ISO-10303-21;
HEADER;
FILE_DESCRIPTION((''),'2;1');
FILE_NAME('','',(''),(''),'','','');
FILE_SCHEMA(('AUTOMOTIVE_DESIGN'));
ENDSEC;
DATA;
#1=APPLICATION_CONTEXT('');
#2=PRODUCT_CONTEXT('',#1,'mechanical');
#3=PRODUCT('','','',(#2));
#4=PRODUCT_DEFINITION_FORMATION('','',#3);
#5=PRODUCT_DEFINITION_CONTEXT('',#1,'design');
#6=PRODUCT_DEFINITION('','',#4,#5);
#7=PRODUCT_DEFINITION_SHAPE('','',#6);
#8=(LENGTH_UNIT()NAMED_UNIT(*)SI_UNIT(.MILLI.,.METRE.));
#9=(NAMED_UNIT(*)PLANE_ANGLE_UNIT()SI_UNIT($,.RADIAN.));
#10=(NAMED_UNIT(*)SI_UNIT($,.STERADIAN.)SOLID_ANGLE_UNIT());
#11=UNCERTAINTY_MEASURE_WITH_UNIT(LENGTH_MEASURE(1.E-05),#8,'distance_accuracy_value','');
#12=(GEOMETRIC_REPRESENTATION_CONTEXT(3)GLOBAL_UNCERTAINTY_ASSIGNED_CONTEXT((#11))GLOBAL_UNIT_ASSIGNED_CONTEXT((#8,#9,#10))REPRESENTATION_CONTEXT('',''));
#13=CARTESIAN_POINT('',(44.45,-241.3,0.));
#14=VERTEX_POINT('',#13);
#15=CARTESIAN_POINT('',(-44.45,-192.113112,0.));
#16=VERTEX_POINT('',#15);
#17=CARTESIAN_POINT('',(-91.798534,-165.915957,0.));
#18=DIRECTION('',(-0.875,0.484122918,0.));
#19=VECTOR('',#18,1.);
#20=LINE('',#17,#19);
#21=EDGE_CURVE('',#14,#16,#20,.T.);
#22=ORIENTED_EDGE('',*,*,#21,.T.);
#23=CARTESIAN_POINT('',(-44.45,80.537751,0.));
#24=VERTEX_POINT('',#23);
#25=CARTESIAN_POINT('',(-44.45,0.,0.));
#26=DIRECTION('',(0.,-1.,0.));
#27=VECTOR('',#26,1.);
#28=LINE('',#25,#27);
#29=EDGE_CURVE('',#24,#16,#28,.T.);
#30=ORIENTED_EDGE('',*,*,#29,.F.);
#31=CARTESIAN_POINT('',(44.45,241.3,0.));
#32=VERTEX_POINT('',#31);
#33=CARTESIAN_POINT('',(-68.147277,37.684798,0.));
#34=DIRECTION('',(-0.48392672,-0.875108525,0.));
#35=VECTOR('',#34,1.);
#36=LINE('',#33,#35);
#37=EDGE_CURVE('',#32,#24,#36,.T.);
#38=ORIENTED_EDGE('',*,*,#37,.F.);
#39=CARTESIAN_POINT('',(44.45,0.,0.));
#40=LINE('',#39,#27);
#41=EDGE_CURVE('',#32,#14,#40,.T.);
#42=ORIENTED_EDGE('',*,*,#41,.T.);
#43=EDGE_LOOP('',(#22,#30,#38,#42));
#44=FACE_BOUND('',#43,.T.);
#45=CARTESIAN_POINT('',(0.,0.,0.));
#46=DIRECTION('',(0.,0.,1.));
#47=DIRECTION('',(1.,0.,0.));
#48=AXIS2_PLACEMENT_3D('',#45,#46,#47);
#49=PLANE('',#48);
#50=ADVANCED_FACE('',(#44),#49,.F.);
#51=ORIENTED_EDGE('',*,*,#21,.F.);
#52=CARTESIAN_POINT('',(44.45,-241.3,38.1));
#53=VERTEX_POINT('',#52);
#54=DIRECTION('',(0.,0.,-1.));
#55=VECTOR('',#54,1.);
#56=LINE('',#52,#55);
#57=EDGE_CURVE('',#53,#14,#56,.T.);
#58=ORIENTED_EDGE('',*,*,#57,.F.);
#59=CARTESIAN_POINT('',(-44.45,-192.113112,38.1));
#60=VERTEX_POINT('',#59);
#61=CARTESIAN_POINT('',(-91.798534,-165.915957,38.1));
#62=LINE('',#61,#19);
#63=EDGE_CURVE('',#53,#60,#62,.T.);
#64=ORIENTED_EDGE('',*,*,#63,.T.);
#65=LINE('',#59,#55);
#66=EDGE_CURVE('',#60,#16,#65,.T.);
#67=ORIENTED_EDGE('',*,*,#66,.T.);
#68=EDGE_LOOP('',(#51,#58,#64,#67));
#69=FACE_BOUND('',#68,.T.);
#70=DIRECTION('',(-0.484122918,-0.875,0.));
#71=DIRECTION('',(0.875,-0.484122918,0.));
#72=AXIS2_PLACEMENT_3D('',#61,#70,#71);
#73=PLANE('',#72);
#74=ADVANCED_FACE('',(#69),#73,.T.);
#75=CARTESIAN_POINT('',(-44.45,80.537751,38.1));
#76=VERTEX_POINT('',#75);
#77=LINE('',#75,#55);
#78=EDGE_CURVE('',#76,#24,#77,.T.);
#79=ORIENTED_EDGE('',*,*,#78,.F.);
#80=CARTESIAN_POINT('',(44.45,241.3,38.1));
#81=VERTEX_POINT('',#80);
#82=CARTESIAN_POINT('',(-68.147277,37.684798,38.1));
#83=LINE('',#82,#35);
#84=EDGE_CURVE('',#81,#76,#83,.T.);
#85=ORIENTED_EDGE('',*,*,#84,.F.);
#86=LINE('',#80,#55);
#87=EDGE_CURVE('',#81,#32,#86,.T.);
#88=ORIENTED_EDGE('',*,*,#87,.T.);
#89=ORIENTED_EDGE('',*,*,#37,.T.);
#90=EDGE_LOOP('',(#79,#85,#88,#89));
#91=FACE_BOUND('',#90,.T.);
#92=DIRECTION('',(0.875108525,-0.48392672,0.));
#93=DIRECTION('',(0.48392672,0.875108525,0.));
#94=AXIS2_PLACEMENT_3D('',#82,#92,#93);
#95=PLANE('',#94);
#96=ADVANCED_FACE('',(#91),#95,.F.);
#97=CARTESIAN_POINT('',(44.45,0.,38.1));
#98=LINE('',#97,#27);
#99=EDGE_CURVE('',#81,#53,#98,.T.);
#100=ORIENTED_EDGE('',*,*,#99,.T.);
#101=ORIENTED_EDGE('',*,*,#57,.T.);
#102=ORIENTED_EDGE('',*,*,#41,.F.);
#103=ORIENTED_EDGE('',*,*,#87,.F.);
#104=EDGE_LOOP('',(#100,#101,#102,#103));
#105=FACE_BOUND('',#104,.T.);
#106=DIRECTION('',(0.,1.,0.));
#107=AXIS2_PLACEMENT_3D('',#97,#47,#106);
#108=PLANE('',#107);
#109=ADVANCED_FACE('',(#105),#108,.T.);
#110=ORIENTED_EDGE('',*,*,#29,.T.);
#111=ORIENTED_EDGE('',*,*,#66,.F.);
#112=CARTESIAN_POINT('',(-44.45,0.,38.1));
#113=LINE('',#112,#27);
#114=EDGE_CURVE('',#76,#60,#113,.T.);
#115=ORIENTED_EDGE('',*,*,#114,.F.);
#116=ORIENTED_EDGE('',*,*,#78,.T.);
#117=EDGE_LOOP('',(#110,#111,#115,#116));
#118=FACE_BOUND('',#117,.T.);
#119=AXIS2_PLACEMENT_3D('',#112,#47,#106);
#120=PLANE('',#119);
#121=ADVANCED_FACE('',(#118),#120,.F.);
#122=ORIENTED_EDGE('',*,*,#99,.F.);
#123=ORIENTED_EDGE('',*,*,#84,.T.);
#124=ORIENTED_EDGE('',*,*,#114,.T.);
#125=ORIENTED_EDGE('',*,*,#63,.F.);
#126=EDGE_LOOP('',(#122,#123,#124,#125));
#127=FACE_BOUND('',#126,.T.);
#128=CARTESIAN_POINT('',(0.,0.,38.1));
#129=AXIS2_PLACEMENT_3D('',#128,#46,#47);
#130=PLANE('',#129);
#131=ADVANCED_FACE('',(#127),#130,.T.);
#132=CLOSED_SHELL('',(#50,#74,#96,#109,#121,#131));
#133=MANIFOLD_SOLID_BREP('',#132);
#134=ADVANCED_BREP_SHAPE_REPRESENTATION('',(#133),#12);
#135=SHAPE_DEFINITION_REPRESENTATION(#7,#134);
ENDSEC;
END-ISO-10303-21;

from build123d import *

# Parameters (mm, degrees)
BOSS_EXTRUDE1_DEPTH = 38.1


with BuildPart() as part:
    # Sketch1 → Boss-Extrude1 (new body)
    with BuildSketch(Plane.XY):
        Polygon((44.45, -241.3), (44.45, 241.3), (-44.45, 80.537750917), (-44.45, -192.113111503), align=None)
    extrude(amount=BOSS_EXTRUDE1_DEPTH)


solid = part.part
